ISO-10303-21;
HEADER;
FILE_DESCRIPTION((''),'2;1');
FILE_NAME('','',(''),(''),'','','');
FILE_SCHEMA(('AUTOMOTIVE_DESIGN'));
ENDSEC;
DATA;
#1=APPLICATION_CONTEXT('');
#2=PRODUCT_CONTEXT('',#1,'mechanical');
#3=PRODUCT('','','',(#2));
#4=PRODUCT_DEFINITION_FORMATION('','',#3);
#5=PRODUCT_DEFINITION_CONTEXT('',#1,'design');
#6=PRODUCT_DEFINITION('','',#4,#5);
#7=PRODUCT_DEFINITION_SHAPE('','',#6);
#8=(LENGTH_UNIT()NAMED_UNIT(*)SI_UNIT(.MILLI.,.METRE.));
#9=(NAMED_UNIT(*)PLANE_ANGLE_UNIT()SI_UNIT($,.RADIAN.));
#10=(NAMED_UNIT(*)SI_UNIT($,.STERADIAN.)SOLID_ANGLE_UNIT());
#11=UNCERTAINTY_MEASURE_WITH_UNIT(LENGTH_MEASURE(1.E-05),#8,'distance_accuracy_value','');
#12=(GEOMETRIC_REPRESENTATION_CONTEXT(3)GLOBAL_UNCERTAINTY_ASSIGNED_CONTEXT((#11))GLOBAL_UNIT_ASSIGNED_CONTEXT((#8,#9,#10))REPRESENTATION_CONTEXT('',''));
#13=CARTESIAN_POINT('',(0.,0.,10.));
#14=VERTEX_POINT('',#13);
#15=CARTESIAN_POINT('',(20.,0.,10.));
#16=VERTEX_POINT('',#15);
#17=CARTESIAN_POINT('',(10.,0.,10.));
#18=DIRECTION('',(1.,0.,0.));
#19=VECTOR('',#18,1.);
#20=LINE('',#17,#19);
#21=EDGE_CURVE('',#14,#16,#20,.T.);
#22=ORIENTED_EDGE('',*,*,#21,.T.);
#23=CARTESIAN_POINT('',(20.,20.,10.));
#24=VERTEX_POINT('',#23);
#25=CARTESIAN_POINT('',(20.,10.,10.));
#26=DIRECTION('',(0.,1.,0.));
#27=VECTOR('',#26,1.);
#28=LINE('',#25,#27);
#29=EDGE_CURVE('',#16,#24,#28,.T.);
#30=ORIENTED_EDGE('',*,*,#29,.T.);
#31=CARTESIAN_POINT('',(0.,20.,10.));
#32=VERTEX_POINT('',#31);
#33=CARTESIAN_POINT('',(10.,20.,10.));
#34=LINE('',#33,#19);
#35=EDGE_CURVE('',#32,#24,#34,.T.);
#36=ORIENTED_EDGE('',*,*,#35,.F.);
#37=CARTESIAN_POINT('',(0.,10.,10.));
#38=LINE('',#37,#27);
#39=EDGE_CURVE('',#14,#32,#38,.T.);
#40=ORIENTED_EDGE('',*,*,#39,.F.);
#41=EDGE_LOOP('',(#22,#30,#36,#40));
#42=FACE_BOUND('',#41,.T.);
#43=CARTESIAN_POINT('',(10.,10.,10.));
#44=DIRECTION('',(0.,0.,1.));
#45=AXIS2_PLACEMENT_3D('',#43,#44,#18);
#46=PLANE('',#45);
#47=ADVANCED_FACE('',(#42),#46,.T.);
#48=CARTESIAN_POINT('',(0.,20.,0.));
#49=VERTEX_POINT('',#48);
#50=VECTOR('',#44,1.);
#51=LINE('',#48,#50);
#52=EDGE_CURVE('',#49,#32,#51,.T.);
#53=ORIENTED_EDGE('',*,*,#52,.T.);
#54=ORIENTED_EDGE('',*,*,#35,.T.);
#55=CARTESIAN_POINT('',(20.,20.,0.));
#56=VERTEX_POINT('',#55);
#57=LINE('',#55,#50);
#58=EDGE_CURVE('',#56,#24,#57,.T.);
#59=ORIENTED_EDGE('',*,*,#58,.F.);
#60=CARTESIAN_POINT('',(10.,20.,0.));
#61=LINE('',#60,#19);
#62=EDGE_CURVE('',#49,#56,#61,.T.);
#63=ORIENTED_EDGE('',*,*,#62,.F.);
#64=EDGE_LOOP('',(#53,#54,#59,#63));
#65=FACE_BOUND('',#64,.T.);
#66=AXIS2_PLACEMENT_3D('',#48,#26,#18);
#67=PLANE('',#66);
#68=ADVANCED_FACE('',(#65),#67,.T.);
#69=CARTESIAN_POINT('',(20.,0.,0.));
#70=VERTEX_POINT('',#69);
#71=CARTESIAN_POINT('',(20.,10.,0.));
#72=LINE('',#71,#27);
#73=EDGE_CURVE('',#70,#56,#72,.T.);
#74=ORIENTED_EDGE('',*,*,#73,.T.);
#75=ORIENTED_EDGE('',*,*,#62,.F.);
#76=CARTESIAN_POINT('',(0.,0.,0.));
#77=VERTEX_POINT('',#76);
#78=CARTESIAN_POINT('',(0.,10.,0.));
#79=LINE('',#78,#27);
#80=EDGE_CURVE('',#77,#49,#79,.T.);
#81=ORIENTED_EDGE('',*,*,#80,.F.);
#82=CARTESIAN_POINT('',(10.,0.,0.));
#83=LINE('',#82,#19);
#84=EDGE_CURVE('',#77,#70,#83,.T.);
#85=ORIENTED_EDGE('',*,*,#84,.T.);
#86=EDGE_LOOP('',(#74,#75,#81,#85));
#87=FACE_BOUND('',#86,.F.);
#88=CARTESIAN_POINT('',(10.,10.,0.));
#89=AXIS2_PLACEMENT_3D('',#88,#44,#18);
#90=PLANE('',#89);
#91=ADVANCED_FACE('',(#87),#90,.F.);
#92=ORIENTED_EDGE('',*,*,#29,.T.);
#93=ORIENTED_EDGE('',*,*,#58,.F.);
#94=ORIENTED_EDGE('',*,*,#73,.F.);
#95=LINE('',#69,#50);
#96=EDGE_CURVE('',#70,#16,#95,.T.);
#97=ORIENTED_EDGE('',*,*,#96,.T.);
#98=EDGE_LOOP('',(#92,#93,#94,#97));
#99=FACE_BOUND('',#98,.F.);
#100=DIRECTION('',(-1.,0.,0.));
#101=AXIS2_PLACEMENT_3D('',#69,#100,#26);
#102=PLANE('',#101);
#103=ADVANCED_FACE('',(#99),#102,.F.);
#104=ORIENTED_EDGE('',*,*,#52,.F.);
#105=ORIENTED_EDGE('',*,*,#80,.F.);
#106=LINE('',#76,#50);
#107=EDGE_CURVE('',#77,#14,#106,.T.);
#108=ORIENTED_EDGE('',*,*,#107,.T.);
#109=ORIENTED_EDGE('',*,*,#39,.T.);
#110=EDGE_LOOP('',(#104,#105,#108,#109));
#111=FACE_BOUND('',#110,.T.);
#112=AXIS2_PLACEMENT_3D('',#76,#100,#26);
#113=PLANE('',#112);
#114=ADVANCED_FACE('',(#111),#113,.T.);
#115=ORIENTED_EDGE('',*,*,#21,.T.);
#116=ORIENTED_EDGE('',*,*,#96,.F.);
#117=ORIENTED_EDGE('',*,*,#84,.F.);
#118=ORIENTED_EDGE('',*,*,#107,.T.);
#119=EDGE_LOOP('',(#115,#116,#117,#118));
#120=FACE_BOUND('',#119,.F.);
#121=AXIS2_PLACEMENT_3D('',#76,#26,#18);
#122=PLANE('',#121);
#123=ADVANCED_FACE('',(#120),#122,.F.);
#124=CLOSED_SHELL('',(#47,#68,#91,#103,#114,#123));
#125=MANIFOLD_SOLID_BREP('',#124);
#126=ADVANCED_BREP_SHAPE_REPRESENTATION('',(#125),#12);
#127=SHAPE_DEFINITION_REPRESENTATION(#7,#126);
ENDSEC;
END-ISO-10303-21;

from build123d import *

# Parameters (mm, degrees)
BOX_W     = 20
BOX_H     = 20
BOX_DEPTH = 10


with BuildPart() as part:
    # Box → Box (new body)
    with BuildSketch(Plane.XY):
        with Locations((10, 10)):
            Rectangle(BOX_W, BOX_H)
    extrude(amount=BOX_DEPTH)


solid = part.part
